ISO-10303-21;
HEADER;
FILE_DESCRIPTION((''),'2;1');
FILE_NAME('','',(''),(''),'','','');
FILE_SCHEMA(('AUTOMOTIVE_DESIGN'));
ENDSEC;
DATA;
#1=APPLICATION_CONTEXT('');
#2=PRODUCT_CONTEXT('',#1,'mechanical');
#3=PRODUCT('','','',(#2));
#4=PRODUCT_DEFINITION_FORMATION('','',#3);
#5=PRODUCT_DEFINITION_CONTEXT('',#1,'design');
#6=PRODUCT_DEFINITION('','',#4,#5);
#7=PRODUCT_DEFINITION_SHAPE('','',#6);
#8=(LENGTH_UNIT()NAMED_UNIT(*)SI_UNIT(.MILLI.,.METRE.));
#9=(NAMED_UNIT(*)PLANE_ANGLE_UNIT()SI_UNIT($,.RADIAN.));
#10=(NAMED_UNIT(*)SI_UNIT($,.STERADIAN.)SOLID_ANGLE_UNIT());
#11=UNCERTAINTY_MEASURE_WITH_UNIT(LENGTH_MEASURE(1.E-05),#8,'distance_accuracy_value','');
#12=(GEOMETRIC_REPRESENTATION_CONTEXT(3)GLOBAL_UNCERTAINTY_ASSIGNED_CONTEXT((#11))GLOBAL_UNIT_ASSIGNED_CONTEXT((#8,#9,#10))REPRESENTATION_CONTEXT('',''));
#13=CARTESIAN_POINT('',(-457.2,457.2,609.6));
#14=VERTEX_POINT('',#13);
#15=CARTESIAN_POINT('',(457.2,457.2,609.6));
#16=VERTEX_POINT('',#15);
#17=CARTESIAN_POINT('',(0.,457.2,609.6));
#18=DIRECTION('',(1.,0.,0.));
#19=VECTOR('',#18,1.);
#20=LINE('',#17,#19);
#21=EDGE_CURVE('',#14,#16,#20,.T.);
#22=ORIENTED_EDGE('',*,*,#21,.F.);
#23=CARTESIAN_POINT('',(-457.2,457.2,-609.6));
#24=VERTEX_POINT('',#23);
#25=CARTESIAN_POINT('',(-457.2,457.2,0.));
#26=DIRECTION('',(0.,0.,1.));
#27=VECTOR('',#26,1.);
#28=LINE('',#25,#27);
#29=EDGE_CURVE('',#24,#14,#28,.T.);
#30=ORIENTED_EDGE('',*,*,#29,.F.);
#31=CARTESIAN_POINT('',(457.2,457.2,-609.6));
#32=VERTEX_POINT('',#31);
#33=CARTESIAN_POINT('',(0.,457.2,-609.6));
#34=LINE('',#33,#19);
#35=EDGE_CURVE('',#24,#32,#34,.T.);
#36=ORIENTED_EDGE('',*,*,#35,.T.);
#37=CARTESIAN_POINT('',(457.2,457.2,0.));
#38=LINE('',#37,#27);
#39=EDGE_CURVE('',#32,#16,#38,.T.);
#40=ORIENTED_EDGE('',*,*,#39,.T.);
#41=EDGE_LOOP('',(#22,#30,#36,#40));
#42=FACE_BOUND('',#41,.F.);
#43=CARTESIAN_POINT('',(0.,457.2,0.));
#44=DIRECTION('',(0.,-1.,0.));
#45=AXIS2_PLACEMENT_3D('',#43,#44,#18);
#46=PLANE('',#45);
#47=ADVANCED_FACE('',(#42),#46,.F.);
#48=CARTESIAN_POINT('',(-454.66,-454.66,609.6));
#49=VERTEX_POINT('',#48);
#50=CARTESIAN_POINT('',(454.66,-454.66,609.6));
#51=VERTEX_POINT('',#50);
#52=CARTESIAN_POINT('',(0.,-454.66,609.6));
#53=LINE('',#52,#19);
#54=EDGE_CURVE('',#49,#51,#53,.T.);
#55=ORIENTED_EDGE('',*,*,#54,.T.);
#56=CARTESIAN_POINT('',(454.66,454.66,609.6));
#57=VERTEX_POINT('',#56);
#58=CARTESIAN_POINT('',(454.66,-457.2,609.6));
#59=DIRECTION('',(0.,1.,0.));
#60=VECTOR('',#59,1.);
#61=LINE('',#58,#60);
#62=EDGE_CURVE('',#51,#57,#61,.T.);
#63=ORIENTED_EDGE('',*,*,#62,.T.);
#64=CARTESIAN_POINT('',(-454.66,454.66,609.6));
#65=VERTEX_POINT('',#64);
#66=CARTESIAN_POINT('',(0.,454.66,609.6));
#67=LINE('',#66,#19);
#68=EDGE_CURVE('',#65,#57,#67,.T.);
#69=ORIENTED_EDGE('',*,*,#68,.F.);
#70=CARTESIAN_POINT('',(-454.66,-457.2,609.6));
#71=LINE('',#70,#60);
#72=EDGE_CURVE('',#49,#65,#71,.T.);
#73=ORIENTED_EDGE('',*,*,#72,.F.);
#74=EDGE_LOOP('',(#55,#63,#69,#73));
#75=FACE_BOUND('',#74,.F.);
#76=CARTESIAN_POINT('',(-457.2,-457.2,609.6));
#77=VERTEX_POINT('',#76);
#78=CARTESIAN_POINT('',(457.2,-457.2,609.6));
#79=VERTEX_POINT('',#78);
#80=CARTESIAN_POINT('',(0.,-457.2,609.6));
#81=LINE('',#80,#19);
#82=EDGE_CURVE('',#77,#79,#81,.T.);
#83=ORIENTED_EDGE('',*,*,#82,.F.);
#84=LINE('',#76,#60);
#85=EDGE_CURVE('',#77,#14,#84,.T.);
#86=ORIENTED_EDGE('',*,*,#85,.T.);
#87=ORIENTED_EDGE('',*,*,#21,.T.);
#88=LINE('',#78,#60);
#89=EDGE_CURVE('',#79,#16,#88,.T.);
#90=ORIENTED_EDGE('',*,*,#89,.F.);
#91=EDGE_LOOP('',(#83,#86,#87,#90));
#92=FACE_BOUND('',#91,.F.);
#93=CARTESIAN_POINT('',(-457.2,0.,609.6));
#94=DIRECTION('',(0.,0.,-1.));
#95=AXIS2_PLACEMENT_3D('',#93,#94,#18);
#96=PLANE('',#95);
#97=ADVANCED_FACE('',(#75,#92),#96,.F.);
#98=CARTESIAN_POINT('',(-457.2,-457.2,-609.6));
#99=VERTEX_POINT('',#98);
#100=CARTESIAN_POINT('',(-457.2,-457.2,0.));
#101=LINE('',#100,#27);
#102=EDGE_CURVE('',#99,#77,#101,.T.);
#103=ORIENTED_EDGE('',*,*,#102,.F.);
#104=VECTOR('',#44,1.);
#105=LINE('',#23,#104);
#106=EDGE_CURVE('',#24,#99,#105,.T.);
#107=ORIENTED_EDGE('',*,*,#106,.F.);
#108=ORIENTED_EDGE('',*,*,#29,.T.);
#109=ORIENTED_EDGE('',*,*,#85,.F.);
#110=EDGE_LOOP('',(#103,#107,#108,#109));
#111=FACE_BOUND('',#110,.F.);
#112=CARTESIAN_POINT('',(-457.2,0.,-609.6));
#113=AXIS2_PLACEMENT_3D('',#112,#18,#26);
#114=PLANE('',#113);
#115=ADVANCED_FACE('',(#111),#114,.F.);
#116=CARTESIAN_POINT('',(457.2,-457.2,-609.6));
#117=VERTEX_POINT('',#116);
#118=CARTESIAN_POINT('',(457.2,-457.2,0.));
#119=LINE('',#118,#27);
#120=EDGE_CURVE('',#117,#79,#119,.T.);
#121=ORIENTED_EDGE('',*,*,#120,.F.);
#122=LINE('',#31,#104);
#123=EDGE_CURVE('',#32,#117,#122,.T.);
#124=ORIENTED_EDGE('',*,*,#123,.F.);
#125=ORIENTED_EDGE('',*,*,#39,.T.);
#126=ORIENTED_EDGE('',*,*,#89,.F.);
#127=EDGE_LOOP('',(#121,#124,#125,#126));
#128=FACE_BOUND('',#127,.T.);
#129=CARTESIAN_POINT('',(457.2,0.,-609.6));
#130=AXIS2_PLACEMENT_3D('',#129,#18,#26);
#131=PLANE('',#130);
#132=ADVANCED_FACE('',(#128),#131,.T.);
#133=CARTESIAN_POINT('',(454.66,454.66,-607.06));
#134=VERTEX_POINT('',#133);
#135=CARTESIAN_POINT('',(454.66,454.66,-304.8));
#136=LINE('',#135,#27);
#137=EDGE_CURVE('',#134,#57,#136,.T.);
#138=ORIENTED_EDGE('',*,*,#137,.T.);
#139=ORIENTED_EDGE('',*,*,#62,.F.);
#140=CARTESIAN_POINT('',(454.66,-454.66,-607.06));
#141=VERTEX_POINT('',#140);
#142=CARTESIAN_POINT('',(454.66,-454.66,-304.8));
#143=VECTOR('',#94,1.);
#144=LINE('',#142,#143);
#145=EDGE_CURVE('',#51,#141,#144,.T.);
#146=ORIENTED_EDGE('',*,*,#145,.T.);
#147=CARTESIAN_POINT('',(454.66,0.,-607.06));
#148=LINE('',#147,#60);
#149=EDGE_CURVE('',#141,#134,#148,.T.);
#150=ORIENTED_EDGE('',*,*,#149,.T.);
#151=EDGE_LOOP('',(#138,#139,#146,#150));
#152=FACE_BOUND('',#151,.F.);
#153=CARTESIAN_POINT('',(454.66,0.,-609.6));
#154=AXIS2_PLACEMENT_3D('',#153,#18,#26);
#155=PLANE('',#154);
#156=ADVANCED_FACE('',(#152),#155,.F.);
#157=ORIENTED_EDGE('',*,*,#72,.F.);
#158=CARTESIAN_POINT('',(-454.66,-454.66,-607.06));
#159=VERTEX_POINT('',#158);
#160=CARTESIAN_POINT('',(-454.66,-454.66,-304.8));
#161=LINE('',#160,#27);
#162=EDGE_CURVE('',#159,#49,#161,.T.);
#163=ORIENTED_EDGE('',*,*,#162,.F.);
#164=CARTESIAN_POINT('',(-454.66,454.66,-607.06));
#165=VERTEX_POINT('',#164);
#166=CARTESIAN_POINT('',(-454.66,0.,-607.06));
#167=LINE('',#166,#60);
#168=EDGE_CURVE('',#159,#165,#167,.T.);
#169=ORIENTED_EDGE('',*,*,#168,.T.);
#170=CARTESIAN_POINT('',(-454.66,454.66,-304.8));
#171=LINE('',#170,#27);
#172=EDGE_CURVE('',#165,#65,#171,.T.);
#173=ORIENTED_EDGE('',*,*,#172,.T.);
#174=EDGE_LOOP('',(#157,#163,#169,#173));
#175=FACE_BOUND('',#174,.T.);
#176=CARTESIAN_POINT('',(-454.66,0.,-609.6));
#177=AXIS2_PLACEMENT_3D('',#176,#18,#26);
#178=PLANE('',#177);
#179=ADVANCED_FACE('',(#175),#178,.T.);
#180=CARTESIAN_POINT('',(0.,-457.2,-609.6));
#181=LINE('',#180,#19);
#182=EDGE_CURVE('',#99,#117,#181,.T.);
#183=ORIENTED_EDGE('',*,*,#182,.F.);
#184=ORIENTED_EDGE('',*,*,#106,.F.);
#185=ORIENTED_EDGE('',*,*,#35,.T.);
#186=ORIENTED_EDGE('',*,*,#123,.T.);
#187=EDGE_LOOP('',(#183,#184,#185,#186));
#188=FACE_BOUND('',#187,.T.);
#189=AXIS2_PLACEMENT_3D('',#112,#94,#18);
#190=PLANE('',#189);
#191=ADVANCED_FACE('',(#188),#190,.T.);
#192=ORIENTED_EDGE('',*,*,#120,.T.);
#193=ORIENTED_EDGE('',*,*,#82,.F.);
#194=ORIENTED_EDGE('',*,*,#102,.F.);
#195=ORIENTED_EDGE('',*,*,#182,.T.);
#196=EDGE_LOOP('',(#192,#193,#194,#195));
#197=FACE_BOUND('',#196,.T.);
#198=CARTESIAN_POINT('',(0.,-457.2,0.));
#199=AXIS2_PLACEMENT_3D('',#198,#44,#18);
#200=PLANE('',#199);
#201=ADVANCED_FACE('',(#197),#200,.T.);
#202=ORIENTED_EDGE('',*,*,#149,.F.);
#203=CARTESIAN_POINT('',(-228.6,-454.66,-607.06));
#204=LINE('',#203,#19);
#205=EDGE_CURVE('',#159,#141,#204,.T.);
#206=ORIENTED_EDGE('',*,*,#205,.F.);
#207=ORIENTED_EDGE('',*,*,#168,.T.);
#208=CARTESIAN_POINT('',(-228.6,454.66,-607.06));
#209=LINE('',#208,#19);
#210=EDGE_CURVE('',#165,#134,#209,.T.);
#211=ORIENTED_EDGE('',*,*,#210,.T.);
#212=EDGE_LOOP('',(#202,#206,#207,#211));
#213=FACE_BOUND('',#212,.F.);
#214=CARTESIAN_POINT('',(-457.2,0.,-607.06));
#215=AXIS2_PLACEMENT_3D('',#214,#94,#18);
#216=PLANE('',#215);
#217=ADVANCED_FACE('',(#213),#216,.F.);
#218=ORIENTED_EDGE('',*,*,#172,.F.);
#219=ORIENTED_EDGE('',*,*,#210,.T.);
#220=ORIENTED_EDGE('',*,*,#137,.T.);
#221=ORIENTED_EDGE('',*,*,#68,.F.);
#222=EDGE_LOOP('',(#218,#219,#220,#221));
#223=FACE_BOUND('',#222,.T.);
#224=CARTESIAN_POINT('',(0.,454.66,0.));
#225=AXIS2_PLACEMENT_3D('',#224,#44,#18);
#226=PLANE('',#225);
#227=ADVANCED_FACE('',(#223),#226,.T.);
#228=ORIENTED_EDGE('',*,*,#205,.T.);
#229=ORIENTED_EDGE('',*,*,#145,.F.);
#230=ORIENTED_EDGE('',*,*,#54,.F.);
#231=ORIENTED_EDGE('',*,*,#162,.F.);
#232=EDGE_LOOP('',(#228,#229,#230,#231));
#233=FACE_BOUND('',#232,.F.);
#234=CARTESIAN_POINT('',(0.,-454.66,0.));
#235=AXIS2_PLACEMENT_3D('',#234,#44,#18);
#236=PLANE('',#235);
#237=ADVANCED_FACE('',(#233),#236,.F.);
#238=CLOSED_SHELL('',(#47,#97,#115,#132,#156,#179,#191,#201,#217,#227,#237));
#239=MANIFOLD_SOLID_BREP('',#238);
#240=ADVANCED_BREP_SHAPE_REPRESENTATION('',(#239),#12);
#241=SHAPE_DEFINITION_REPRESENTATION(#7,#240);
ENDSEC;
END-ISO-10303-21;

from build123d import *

# Parameters (mm, degrees)
F0_W     = 914.4
F0_H     = 1219.2
F1_DEPTH = 457.2
F2_T     = -2.54


with BuildPart() as f1:
    # F0 (on Front) → F1 (new body, symmetric)
    with BuildSketch(Plane.XZ):
        Rectangle(F0_W, F0_H)
    extrude(amount=F1_DEPTH, both=True)

    # F2
    f2_openings = [f1.faces().sort_by_distance(p)[0] for p in [
        (0, 0, 609.6),
    ]]
    offset(amount=F2_T, openings=f2_openings)


solid = f1.part
